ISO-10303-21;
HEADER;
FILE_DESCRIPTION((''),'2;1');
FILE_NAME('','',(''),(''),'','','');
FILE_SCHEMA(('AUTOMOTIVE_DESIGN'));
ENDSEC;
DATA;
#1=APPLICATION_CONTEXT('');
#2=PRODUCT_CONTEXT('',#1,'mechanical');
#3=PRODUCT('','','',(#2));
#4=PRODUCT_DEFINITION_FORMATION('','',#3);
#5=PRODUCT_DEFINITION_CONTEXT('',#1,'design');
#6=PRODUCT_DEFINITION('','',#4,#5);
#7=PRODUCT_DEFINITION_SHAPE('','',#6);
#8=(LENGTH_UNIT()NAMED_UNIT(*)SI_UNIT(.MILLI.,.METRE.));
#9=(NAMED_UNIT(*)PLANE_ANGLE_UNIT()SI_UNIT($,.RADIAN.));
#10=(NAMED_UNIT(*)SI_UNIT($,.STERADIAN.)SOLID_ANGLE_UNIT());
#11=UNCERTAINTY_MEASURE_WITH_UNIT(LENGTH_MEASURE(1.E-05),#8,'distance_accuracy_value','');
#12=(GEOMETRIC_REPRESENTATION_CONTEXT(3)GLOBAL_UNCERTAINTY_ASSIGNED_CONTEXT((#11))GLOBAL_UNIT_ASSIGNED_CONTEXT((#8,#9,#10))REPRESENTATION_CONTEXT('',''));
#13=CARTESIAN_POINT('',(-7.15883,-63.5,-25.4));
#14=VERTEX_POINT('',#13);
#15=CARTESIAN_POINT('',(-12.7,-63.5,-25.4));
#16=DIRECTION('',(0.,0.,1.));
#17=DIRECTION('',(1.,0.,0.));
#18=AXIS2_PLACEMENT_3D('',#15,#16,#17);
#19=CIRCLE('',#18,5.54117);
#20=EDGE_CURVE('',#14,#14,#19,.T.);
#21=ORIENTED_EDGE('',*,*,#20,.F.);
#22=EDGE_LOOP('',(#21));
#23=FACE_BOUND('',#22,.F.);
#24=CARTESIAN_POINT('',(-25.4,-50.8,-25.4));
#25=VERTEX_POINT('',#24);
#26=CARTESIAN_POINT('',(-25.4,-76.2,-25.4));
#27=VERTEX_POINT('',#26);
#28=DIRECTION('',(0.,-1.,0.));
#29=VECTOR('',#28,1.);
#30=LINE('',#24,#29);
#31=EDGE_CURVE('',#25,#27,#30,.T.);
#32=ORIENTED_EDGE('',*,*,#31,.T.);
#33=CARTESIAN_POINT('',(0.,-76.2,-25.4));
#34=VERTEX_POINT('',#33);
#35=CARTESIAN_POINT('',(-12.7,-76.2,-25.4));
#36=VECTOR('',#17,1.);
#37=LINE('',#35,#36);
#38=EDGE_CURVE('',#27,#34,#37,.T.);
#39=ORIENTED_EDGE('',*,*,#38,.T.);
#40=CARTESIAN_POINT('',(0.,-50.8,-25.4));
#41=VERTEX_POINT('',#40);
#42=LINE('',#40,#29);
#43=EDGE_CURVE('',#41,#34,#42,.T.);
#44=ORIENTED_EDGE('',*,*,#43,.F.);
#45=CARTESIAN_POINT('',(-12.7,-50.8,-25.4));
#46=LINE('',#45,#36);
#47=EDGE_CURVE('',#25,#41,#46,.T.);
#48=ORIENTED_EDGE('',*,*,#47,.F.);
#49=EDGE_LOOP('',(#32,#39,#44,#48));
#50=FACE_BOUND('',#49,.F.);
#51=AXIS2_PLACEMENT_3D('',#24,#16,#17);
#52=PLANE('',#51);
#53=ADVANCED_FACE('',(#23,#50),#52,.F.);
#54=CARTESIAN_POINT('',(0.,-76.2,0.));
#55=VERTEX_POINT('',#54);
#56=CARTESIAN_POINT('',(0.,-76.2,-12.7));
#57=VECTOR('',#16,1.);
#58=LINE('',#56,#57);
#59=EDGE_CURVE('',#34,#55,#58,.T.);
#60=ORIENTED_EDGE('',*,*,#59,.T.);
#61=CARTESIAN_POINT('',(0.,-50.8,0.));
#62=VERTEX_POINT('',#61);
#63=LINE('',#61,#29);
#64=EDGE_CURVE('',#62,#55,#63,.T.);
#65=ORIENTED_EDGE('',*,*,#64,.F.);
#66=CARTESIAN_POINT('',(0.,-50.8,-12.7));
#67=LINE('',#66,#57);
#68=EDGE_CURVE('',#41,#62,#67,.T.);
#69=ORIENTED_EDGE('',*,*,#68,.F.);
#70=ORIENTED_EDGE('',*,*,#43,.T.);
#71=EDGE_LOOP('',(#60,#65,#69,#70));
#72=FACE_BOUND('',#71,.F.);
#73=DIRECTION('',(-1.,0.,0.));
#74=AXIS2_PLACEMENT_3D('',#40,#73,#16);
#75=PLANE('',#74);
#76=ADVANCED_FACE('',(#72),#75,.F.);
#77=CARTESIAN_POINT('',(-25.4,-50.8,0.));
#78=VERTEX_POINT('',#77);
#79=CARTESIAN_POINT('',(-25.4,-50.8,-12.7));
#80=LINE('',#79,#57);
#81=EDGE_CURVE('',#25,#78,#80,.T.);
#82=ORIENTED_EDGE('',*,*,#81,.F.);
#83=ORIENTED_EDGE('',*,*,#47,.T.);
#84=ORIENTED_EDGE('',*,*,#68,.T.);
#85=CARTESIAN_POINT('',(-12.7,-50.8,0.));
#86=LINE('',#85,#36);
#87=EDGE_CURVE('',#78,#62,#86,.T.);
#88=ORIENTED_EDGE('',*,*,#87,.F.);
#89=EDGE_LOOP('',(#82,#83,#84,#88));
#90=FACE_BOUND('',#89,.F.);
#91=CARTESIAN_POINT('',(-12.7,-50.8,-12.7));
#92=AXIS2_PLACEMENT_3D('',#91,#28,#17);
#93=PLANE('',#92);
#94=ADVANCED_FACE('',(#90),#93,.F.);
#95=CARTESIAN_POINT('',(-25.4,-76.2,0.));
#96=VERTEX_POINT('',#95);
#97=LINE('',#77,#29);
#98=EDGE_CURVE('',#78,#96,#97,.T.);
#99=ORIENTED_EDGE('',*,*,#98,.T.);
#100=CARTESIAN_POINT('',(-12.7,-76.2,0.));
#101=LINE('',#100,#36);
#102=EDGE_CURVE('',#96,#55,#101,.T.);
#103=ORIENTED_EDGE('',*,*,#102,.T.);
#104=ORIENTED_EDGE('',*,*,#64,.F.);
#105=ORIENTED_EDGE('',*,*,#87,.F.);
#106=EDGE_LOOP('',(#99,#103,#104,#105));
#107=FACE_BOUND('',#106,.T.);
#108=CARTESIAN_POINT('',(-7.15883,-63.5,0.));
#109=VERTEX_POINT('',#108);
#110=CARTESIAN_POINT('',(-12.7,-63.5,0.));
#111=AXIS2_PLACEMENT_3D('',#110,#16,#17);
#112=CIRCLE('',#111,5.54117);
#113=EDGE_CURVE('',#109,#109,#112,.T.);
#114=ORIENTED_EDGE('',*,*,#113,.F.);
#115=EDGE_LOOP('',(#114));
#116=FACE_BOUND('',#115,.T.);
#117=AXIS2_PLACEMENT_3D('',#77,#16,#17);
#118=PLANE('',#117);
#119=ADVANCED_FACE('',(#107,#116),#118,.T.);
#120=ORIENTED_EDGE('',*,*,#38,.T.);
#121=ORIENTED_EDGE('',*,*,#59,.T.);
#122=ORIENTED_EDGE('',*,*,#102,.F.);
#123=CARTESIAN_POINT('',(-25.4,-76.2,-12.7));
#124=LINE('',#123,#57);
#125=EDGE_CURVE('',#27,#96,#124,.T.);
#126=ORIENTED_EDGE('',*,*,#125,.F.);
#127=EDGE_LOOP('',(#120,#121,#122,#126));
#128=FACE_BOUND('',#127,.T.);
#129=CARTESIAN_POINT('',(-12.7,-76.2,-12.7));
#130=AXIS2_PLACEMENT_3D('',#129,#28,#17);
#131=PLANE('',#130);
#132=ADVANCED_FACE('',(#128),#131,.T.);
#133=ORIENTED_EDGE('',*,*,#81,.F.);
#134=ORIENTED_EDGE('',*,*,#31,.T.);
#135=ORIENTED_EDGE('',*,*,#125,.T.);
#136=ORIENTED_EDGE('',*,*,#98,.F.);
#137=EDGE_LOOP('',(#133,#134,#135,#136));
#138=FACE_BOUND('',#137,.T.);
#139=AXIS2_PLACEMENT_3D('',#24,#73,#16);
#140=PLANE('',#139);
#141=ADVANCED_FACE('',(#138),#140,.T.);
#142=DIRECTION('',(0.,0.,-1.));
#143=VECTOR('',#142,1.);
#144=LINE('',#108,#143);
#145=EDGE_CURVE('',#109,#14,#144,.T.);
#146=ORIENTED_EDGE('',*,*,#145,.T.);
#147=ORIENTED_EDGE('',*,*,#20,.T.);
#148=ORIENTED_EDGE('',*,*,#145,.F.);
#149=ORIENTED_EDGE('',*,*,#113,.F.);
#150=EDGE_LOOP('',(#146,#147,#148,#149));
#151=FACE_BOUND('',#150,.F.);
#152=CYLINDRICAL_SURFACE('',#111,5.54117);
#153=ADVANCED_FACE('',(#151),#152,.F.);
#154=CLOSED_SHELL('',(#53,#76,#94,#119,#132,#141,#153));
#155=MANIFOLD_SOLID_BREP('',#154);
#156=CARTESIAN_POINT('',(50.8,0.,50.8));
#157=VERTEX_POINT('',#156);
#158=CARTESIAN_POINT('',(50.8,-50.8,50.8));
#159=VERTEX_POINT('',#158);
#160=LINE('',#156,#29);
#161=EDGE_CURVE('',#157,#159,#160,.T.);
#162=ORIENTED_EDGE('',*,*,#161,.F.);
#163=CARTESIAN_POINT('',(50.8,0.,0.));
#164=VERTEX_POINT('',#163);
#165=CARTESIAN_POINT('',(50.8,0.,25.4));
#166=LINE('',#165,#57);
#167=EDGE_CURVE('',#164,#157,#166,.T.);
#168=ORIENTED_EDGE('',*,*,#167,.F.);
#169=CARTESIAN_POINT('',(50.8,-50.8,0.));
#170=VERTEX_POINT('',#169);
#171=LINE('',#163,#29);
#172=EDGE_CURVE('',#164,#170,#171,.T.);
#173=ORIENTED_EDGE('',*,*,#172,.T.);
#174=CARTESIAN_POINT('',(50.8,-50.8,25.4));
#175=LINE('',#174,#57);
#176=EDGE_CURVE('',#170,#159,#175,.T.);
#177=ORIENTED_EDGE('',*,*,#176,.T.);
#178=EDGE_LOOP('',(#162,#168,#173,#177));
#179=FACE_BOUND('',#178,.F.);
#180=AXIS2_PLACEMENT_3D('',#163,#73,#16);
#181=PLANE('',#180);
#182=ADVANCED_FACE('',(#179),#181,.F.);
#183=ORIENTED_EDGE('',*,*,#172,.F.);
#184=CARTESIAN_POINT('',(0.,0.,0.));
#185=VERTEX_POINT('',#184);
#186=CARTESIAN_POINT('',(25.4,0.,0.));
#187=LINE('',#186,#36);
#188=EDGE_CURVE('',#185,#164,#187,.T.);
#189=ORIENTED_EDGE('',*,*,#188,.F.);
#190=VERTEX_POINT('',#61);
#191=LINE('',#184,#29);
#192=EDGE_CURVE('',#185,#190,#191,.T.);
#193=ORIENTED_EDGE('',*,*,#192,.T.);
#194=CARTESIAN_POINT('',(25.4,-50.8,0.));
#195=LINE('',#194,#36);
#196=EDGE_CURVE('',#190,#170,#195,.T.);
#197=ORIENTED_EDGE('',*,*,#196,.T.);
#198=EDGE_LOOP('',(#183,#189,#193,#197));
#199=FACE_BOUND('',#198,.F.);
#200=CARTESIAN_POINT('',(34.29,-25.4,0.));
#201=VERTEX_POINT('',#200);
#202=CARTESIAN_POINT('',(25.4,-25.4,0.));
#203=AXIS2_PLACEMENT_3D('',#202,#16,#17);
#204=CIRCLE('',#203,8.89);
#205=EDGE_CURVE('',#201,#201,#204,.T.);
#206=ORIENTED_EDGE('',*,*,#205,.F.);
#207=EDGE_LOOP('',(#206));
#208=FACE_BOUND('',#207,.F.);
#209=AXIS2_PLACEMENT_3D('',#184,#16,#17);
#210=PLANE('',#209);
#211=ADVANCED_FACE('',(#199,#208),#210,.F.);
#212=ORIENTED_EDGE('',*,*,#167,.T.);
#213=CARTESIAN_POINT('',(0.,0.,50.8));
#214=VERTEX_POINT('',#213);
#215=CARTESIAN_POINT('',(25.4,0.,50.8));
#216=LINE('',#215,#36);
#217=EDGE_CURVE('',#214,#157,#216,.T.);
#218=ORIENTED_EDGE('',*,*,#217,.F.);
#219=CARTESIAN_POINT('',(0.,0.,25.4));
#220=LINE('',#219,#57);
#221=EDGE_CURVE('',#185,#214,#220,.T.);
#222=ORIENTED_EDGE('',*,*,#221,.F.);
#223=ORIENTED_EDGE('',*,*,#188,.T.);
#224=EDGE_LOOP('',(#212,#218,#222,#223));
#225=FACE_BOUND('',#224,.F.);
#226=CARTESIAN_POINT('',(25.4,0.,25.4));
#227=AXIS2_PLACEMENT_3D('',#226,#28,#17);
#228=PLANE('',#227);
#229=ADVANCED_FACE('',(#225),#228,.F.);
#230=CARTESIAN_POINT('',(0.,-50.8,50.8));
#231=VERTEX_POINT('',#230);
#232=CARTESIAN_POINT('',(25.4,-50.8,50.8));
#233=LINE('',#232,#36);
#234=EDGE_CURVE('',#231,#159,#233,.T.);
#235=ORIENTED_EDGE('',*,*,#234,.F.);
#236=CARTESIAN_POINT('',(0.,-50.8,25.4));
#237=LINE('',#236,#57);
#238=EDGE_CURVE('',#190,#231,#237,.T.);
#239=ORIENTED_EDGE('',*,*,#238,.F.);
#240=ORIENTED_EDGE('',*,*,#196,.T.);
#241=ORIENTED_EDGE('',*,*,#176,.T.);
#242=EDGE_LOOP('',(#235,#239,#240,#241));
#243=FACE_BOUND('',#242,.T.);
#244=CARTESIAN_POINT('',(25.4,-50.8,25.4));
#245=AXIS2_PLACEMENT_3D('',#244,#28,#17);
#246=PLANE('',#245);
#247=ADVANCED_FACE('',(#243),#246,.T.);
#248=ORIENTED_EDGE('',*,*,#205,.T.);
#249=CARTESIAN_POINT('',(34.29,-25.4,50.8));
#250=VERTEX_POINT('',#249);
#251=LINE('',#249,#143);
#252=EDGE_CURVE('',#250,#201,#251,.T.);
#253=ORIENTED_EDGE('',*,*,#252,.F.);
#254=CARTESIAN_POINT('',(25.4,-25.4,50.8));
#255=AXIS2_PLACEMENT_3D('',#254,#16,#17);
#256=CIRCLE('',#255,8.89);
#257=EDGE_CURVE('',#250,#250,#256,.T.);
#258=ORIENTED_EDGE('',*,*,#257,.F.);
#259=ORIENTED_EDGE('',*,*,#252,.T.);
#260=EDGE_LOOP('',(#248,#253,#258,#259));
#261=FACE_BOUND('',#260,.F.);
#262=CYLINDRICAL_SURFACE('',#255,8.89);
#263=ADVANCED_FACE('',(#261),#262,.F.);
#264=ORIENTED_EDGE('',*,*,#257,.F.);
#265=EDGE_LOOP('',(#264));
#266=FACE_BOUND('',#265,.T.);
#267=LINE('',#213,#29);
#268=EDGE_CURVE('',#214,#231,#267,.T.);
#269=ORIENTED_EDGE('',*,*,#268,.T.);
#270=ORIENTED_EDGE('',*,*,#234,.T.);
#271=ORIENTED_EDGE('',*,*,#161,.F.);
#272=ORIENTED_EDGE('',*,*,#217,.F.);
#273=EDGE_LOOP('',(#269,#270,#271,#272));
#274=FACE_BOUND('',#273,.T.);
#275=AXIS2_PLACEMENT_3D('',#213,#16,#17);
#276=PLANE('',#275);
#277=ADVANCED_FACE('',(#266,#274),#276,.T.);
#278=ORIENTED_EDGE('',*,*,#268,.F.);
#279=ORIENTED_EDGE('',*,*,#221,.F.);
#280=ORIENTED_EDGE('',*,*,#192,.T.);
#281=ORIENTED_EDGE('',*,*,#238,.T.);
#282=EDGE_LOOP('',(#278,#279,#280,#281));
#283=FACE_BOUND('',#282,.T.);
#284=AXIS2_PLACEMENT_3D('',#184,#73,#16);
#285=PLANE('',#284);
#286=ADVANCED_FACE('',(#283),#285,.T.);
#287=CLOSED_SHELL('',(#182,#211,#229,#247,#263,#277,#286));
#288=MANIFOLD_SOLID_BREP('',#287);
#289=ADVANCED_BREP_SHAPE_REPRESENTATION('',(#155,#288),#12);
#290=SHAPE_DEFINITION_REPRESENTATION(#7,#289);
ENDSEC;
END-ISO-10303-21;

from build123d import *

# Parameters (mm, degrees)
F0_W     = 50.8
F0_H     = 50.8
F1_DEPTH = 50.8
F2_W     = 25.4
F2_H     = 25.4
F3_DEPTH = 25.4
F4_R     = 8.89
F5_DEPTH = 50.8
F6_R     = 5.54117
F7_DEPTH = 25.4


with BuildPart() as f1:
    # F0 (on Front) → F1 (new body)
    with BuildSketch(Plane.XZ):
        with Locations((25.4, 25.4)):
            Rectangle(F0_W, F0_H)
    extrude(amount=F1_DEPTH)

    # F4 (on face) → F5 (cut)
    with BuildSketch(Plane.XY.offset(50.8)):
        with Locations((25.4, -25.4)):
            Circle(F4_R)
    extrude(amount=-F5_DEPTH, mode=Mode.SUBTRACT)


with BuildPart() as f3:
    # F2 (on face) → F3 (new body)
    with BuildSketch(Plane.XZ.offset(50.8)):
        with Locations((-12.7, -12.7)):
            Rectangle(F2_W, F2_H)
    extrude(amount=F3_DEPTH)

    # F6 (on face) → F7 (cut)
    with BuildSketch(Plane.XY):
        with Locations((-12.7, -63.5)):
            Circle(F6_R)
    extrude(amount=-F7_DEPTH, mode=Mode.SUBTRACT)


solid = Compound([f1.part, f3.part])
